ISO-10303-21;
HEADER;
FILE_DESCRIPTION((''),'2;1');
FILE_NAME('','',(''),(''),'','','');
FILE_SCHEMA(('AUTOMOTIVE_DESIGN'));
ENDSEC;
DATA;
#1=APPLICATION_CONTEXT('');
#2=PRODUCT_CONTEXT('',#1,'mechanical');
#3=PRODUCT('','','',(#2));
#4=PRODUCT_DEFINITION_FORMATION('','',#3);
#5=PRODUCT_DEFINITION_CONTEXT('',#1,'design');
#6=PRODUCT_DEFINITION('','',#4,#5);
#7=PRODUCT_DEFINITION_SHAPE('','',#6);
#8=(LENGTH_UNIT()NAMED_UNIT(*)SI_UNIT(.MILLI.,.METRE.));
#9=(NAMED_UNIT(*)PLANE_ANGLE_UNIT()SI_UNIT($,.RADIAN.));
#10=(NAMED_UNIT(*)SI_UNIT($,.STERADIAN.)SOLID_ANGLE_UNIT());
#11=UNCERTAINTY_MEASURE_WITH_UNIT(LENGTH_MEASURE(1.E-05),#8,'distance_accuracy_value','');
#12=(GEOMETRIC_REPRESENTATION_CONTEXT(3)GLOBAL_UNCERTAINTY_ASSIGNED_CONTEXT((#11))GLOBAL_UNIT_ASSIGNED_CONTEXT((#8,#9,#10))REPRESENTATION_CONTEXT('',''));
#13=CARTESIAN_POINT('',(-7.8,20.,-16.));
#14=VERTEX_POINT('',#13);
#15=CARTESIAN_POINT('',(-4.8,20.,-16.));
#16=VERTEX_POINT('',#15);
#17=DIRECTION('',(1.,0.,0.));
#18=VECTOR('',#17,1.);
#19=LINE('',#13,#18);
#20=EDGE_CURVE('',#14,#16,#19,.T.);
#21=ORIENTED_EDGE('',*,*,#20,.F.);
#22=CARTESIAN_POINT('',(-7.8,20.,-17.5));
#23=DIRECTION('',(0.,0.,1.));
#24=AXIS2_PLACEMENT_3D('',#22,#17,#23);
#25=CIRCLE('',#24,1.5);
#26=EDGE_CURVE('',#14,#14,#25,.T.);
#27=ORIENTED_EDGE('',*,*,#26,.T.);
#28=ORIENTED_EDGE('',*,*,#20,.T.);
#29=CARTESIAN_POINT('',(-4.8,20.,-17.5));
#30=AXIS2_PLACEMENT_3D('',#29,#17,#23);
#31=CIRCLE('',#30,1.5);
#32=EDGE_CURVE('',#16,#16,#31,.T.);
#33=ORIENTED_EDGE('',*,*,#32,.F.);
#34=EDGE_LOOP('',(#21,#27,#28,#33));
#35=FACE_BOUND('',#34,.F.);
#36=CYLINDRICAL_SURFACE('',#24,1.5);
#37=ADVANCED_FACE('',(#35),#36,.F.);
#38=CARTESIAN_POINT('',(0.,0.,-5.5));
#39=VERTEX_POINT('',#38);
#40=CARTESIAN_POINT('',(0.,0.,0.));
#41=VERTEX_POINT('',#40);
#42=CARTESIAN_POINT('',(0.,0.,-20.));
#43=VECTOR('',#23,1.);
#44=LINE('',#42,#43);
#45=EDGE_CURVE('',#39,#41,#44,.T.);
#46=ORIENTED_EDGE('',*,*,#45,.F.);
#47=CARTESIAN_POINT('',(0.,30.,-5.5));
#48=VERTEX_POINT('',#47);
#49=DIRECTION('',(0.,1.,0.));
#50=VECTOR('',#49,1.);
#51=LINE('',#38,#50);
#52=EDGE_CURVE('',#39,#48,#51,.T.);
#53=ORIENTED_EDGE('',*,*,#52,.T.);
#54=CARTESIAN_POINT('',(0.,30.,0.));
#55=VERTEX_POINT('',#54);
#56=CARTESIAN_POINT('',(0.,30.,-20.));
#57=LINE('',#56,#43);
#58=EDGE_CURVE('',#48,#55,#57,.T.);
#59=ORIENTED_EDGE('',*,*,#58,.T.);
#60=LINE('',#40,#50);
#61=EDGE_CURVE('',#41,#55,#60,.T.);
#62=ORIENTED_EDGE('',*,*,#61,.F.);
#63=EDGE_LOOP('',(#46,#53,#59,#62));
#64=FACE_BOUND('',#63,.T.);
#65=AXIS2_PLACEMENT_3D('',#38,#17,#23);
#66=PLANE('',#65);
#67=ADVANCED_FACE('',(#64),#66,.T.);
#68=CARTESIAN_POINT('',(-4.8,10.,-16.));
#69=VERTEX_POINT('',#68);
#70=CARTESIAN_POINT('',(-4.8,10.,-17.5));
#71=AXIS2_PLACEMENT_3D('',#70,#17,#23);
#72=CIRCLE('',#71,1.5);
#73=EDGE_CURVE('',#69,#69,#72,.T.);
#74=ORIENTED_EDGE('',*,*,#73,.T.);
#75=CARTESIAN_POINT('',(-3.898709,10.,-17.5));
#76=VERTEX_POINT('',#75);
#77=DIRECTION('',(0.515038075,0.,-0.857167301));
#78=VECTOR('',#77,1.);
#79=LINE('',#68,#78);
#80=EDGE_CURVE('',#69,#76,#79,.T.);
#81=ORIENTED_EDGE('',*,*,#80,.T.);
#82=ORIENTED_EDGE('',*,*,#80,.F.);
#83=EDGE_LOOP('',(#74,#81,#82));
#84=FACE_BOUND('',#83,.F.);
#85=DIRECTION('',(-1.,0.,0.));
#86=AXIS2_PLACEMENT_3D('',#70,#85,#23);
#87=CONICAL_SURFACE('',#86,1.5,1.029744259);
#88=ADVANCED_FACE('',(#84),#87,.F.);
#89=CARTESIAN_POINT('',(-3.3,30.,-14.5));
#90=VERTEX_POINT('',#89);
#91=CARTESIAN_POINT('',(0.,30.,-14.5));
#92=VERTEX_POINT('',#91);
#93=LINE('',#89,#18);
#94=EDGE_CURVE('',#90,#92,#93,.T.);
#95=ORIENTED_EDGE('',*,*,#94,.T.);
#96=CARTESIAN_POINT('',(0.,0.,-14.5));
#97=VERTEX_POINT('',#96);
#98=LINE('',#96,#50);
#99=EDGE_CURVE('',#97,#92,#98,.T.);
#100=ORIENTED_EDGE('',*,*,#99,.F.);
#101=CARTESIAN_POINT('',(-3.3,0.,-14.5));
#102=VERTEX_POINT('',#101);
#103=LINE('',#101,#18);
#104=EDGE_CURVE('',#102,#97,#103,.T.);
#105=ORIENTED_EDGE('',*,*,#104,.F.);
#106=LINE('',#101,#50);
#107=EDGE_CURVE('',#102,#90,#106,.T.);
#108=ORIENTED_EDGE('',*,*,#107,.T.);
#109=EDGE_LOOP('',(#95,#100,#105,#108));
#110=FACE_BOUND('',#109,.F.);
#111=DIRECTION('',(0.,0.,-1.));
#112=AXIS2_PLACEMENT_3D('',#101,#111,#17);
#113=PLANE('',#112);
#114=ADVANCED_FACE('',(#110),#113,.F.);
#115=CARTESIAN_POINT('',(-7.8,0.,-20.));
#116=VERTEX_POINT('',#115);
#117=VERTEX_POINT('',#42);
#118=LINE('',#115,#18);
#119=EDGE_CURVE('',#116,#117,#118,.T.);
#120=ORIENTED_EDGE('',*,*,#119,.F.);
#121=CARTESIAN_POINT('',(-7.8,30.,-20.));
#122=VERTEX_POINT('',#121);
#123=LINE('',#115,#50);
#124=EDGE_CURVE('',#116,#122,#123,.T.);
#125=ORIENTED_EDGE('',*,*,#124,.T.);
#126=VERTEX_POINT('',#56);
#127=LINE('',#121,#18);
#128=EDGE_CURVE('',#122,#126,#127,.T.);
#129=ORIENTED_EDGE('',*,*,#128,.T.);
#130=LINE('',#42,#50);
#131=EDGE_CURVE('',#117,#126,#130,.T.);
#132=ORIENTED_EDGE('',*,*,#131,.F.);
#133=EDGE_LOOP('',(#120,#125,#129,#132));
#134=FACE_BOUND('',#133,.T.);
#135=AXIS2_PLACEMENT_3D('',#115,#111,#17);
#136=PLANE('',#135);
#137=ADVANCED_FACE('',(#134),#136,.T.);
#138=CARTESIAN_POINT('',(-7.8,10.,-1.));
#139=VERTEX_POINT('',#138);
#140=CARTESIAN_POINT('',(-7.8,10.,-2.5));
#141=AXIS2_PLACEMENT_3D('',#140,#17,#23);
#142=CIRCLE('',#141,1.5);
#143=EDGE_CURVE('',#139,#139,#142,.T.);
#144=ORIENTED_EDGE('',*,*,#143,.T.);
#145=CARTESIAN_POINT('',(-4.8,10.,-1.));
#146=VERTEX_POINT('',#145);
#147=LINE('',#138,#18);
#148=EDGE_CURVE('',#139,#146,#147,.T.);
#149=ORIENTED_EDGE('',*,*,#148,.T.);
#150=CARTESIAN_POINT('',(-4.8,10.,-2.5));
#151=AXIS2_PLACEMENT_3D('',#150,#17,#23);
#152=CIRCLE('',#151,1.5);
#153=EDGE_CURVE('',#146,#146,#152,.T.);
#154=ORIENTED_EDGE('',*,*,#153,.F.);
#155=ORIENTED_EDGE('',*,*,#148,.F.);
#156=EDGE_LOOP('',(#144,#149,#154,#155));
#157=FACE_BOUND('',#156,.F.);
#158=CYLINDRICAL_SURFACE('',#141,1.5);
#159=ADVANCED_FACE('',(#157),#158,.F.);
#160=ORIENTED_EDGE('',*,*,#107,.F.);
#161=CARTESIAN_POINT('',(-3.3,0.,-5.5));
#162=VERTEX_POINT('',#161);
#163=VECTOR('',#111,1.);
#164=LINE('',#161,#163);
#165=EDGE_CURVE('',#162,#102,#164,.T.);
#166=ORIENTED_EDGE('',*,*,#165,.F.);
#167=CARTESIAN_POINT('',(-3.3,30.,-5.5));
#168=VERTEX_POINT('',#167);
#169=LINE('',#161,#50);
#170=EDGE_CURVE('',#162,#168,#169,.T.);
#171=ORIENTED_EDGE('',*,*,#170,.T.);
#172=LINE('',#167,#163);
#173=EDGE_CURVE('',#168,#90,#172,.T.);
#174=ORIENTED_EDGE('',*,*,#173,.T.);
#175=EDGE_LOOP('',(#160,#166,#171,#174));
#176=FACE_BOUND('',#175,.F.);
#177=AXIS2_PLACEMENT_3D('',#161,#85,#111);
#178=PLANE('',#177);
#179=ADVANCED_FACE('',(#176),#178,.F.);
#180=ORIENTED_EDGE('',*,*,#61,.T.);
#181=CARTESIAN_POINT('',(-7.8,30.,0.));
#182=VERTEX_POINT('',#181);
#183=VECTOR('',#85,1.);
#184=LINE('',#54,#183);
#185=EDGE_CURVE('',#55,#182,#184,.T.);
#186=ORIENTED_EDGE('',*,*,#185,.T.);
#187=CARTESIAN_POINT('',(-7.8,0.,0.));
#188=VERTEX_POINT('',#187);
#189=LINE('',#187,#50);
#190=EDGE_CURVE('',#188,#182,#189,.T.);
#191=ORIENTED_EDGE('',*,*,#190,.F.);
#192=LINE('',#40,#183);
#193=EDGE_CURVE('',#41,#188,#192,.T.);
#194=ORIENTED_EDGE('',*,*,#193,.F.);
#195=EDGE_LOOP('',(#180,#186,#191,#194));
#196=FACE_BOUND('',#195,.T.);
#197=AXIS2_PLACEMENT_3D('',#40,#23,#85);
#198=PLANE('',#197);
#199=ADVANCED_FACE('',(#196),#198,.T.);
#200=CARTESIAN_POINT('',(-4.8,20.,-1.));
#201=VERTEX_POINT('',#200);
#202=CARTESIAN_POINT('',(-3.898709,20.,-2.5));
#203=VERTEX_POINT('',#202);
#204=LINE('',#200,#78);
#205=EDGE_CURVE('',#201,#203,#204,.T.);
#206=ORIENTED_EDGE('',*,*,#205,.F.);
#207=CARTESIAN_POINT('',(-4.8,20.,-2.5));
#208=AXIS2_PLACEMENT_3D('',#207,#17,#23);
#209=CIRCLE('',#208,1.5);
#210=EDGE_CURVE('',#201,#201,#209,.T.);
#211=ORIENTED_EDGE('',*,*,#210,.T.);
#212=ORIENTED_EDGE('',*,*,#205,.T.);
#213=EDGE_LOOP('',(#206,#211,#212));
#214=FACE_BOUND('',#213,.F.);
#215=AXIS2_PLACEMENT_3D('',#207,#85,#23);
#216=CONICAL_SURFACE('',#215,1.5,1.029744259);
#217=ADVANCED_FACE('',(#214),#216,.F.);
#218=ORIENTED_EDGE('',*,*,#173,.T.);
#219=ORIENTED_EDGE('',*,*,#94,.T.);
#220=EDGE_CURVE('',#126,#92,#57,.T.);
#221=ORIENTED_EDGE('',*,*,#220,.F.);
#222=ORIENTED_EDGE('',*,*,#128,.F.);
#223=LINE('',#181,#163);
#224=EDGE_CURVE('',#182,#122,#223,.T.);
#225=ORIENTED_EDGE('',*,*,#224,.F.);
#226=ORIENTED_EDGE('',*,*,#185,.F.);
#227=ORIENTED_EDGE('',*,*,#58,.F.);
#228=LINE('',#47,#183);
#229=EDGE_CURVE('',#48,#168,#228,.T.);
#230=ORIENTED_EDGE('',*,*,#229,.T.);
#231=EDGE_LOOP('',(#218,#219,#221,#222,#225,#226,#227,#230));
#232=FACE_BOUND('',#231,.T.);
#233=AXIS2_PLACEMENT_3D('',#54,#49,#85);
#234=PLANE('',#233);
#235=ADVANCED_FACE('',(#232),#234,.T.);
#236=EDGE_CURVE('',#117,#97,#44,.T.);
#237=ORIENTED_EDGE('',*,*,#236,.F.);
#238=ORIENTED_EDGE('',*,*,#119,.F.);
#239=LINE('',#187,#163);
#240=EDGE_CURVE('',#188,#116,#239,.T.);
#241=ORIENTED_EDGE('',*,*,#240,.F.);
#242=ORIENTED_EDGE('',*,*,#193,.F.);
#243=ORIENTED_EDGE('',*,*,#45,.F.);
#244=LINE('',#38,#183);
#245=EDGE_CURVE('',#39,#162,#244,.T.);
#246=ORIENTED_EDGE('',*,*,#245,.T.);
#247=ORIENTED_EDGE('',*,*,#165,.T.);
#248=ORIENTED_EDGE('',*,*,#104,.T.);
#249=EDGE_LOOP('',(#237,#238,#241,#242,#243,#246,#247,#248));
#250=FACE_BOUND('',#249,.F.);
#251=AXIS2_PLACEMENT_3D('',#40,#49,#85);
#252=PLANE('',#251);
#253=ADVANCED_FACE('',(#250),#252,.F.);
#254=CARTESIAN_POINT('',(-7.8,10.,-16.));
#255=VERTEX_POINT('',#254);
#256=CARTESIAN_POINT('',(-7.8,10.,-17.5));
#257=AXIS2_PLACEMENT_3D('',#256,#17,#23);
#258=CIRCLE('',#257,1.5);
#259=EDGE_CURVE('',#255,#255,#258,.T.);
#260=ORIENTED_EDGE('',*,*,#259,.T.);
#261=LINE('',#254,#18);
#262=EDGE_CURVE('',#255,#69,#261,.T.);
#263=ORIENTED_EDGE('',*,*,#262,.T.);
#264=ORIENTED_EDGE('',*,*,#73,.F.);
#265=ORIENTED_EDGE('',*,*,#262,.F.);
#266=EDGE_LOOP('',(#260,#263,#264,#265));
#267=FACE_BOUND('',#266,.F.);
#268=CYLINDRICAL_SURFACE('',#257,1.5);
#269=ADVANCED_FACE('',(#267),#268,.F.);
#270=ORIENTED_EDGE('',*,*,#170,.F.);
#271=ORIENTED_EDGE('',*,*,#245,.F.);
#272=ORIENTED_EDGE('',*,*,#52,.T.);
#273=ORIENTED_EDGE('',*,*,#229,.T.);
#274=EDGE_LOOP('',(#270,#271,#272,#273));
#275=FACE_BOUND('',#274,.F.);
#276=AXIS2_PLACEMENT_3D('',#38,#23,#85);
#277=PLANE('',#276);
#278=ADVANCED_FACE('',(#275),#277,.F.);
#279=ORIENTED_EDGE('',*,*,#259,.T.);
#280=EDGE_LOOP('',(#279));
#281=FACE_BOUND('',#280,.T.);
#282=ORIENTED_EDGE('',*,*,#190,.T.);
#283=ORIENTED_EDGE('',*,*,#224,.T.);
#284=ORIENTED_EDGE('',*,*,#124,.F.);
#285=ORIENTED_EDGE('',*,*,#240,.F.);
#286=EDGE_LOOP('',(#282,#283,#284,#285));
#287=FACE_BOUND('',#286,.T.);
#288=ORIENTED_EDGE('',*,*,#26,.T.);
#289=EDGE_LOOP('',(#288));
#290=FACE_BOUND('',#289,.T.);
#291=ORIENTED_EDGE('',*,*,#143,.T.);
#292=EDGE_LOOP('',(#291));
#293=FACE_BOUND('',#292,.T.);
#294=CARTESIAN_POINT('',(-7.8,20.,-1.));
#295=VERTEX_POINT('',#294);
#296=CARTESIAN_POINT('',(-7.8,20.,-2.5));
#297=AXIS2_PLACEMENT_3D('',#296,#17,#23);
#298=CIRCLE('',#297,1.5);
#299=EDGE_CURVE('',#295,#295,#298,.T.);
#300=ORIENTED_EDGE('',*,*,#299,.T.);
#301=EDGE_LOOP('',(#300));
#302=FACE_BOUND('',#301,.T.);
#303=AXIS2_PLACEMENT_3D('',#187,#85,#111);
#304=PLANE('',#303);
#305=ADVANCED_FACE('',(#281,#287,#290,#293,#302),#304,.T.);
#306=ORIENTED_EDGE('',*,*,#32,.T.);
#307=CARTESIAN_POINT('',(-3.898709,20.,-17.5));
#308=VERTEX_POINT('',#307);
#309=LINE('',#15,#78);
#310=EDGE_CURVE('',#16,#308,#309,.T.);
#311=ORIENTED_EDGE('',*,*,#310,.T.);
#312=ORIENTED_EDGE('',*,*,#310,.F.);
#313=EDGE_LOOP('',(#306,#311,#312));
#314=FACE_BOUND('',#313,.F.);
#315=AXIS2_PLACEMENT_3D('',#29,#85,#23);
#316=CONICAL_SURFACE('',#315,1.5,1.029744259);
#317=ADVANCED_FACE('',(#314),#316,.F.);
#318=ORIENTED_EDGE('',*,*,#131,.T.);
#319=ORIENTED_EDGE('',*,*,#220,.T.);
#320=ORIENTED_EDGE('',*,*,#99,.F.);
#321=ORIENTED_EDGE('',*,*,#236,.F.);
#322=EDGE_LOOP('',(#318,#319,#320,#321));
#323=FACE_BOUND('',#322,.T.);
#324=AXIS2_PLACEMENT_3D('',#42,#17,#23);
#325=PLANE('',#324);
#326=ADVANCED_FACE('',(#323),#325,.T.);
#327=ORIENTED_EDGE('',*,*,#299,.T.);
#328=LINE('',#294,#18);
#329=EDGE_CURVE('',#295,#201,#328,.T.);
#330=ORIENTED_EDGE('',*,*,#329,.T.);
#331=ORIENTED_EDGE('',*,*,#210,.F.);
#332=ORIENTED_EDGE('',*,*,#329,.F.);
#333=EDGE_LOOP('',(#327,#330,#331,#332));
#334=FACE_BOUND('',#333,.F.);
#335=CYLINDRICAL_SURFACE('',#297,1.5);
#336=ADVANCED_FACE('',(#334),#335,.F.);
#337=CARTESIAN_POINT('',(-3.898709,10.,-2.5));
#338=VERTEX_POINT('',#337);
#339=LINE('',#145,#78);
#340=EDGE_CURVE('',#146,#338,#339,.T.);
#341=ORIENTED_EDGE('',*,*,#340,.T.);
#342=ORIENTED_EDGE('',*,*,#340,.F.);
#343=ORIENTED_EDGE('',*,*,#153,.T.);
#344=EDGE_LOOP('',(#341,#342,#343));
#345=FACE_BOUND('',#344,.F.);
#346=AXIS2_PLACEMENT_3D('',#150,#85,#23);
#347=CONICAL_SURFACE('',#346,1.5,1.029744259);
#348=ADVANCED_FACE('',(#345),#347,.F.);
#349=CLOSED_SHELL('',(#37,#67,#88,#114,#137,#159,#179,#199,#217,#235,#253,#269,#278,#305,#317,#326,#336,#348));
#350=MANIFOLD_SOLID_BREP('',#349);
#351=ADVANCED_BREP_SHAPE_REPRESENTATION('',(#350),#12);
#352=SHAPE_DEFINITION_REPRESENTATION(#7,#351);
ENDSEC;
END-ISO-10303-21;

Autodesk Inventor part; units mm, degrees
ref_plane "YZ Plane" through (0, 0, 0) normal (1, 0, 0) x (0, 1, 0)
ref_plane "XZ Plane" through (0, 0, 0) normal (0, 1, 0) x (-1, 0, 0)
ref_plane "XY Plane" through (0, 0, 0) normal (0, 0, 1) x (1, 0, 0)
sketch "スケッチ1" plane through (0, 0, 0) normal (0, 1, 0) x (-1, 0, 0)
  line L0 (0, 0) -> (7.8, 0)
  line L1 (7.8, 0) -> (7.8, -20)
  line L2 (7.8, -20) -> (0, -20)
  line L3 (0, -20) -> (0, 0)
  line L4 (0, -5.5) -> (3.3, -5.5)
  line L5 (3.3, -5.5) -> (3.3, -14.5)
  line L6 (3.3, -14.5) -> (0, -14.5)
  line L7 (0, -14.5) -> (0, -5.5)
  dimension "d0" = 7.8
  dimension "d1" = 20
  dimension "d2" = 3.3
  dimension "d3" = 9
  dimension "d4" = 5.5
extrude "押し出し1" add sketch "スケッチ1" along normal blind 30 contours L0 L1 L2 L3 L6 L5 L4
sketch "スケッチ2" plane through (-7.8, 0, -20) normal (-1, 0, 0) x (0, 0, 1)
  line L0 (17.5, 30.0313) -> (17.5, 0)
  line L1 (2.5, 30.0313) -> (2.5, 0)
  line L2 (20, 0) -> (20, 30) projected
  line L3 (0, 0) -> (0, 30) projected
  line L4 (0, 30) -> (20, 30) projected
  point P0 (2.5, 20)
  point P1 (2.5, 10)
  point P2 (17.5, 20)
  point P3 (17.5, 10)
  dimension "d7" = 2.5
  dimension "d8" = 2.5
  dimension "d9" = 10
  dimension "d10" = 10
  dimension "d11" = 10
  dimension "d12" = 10
hole "穴1" at (-7.8, 20, -17.5) at (-7.8, 10, -17.5) at (-7.8, 20, -2.5) at (-7.8, 10, -2.5) direction (1, 0, 0) diameter 3 depth 3 tip angle 118
properties part number "linear_SSEB10"
